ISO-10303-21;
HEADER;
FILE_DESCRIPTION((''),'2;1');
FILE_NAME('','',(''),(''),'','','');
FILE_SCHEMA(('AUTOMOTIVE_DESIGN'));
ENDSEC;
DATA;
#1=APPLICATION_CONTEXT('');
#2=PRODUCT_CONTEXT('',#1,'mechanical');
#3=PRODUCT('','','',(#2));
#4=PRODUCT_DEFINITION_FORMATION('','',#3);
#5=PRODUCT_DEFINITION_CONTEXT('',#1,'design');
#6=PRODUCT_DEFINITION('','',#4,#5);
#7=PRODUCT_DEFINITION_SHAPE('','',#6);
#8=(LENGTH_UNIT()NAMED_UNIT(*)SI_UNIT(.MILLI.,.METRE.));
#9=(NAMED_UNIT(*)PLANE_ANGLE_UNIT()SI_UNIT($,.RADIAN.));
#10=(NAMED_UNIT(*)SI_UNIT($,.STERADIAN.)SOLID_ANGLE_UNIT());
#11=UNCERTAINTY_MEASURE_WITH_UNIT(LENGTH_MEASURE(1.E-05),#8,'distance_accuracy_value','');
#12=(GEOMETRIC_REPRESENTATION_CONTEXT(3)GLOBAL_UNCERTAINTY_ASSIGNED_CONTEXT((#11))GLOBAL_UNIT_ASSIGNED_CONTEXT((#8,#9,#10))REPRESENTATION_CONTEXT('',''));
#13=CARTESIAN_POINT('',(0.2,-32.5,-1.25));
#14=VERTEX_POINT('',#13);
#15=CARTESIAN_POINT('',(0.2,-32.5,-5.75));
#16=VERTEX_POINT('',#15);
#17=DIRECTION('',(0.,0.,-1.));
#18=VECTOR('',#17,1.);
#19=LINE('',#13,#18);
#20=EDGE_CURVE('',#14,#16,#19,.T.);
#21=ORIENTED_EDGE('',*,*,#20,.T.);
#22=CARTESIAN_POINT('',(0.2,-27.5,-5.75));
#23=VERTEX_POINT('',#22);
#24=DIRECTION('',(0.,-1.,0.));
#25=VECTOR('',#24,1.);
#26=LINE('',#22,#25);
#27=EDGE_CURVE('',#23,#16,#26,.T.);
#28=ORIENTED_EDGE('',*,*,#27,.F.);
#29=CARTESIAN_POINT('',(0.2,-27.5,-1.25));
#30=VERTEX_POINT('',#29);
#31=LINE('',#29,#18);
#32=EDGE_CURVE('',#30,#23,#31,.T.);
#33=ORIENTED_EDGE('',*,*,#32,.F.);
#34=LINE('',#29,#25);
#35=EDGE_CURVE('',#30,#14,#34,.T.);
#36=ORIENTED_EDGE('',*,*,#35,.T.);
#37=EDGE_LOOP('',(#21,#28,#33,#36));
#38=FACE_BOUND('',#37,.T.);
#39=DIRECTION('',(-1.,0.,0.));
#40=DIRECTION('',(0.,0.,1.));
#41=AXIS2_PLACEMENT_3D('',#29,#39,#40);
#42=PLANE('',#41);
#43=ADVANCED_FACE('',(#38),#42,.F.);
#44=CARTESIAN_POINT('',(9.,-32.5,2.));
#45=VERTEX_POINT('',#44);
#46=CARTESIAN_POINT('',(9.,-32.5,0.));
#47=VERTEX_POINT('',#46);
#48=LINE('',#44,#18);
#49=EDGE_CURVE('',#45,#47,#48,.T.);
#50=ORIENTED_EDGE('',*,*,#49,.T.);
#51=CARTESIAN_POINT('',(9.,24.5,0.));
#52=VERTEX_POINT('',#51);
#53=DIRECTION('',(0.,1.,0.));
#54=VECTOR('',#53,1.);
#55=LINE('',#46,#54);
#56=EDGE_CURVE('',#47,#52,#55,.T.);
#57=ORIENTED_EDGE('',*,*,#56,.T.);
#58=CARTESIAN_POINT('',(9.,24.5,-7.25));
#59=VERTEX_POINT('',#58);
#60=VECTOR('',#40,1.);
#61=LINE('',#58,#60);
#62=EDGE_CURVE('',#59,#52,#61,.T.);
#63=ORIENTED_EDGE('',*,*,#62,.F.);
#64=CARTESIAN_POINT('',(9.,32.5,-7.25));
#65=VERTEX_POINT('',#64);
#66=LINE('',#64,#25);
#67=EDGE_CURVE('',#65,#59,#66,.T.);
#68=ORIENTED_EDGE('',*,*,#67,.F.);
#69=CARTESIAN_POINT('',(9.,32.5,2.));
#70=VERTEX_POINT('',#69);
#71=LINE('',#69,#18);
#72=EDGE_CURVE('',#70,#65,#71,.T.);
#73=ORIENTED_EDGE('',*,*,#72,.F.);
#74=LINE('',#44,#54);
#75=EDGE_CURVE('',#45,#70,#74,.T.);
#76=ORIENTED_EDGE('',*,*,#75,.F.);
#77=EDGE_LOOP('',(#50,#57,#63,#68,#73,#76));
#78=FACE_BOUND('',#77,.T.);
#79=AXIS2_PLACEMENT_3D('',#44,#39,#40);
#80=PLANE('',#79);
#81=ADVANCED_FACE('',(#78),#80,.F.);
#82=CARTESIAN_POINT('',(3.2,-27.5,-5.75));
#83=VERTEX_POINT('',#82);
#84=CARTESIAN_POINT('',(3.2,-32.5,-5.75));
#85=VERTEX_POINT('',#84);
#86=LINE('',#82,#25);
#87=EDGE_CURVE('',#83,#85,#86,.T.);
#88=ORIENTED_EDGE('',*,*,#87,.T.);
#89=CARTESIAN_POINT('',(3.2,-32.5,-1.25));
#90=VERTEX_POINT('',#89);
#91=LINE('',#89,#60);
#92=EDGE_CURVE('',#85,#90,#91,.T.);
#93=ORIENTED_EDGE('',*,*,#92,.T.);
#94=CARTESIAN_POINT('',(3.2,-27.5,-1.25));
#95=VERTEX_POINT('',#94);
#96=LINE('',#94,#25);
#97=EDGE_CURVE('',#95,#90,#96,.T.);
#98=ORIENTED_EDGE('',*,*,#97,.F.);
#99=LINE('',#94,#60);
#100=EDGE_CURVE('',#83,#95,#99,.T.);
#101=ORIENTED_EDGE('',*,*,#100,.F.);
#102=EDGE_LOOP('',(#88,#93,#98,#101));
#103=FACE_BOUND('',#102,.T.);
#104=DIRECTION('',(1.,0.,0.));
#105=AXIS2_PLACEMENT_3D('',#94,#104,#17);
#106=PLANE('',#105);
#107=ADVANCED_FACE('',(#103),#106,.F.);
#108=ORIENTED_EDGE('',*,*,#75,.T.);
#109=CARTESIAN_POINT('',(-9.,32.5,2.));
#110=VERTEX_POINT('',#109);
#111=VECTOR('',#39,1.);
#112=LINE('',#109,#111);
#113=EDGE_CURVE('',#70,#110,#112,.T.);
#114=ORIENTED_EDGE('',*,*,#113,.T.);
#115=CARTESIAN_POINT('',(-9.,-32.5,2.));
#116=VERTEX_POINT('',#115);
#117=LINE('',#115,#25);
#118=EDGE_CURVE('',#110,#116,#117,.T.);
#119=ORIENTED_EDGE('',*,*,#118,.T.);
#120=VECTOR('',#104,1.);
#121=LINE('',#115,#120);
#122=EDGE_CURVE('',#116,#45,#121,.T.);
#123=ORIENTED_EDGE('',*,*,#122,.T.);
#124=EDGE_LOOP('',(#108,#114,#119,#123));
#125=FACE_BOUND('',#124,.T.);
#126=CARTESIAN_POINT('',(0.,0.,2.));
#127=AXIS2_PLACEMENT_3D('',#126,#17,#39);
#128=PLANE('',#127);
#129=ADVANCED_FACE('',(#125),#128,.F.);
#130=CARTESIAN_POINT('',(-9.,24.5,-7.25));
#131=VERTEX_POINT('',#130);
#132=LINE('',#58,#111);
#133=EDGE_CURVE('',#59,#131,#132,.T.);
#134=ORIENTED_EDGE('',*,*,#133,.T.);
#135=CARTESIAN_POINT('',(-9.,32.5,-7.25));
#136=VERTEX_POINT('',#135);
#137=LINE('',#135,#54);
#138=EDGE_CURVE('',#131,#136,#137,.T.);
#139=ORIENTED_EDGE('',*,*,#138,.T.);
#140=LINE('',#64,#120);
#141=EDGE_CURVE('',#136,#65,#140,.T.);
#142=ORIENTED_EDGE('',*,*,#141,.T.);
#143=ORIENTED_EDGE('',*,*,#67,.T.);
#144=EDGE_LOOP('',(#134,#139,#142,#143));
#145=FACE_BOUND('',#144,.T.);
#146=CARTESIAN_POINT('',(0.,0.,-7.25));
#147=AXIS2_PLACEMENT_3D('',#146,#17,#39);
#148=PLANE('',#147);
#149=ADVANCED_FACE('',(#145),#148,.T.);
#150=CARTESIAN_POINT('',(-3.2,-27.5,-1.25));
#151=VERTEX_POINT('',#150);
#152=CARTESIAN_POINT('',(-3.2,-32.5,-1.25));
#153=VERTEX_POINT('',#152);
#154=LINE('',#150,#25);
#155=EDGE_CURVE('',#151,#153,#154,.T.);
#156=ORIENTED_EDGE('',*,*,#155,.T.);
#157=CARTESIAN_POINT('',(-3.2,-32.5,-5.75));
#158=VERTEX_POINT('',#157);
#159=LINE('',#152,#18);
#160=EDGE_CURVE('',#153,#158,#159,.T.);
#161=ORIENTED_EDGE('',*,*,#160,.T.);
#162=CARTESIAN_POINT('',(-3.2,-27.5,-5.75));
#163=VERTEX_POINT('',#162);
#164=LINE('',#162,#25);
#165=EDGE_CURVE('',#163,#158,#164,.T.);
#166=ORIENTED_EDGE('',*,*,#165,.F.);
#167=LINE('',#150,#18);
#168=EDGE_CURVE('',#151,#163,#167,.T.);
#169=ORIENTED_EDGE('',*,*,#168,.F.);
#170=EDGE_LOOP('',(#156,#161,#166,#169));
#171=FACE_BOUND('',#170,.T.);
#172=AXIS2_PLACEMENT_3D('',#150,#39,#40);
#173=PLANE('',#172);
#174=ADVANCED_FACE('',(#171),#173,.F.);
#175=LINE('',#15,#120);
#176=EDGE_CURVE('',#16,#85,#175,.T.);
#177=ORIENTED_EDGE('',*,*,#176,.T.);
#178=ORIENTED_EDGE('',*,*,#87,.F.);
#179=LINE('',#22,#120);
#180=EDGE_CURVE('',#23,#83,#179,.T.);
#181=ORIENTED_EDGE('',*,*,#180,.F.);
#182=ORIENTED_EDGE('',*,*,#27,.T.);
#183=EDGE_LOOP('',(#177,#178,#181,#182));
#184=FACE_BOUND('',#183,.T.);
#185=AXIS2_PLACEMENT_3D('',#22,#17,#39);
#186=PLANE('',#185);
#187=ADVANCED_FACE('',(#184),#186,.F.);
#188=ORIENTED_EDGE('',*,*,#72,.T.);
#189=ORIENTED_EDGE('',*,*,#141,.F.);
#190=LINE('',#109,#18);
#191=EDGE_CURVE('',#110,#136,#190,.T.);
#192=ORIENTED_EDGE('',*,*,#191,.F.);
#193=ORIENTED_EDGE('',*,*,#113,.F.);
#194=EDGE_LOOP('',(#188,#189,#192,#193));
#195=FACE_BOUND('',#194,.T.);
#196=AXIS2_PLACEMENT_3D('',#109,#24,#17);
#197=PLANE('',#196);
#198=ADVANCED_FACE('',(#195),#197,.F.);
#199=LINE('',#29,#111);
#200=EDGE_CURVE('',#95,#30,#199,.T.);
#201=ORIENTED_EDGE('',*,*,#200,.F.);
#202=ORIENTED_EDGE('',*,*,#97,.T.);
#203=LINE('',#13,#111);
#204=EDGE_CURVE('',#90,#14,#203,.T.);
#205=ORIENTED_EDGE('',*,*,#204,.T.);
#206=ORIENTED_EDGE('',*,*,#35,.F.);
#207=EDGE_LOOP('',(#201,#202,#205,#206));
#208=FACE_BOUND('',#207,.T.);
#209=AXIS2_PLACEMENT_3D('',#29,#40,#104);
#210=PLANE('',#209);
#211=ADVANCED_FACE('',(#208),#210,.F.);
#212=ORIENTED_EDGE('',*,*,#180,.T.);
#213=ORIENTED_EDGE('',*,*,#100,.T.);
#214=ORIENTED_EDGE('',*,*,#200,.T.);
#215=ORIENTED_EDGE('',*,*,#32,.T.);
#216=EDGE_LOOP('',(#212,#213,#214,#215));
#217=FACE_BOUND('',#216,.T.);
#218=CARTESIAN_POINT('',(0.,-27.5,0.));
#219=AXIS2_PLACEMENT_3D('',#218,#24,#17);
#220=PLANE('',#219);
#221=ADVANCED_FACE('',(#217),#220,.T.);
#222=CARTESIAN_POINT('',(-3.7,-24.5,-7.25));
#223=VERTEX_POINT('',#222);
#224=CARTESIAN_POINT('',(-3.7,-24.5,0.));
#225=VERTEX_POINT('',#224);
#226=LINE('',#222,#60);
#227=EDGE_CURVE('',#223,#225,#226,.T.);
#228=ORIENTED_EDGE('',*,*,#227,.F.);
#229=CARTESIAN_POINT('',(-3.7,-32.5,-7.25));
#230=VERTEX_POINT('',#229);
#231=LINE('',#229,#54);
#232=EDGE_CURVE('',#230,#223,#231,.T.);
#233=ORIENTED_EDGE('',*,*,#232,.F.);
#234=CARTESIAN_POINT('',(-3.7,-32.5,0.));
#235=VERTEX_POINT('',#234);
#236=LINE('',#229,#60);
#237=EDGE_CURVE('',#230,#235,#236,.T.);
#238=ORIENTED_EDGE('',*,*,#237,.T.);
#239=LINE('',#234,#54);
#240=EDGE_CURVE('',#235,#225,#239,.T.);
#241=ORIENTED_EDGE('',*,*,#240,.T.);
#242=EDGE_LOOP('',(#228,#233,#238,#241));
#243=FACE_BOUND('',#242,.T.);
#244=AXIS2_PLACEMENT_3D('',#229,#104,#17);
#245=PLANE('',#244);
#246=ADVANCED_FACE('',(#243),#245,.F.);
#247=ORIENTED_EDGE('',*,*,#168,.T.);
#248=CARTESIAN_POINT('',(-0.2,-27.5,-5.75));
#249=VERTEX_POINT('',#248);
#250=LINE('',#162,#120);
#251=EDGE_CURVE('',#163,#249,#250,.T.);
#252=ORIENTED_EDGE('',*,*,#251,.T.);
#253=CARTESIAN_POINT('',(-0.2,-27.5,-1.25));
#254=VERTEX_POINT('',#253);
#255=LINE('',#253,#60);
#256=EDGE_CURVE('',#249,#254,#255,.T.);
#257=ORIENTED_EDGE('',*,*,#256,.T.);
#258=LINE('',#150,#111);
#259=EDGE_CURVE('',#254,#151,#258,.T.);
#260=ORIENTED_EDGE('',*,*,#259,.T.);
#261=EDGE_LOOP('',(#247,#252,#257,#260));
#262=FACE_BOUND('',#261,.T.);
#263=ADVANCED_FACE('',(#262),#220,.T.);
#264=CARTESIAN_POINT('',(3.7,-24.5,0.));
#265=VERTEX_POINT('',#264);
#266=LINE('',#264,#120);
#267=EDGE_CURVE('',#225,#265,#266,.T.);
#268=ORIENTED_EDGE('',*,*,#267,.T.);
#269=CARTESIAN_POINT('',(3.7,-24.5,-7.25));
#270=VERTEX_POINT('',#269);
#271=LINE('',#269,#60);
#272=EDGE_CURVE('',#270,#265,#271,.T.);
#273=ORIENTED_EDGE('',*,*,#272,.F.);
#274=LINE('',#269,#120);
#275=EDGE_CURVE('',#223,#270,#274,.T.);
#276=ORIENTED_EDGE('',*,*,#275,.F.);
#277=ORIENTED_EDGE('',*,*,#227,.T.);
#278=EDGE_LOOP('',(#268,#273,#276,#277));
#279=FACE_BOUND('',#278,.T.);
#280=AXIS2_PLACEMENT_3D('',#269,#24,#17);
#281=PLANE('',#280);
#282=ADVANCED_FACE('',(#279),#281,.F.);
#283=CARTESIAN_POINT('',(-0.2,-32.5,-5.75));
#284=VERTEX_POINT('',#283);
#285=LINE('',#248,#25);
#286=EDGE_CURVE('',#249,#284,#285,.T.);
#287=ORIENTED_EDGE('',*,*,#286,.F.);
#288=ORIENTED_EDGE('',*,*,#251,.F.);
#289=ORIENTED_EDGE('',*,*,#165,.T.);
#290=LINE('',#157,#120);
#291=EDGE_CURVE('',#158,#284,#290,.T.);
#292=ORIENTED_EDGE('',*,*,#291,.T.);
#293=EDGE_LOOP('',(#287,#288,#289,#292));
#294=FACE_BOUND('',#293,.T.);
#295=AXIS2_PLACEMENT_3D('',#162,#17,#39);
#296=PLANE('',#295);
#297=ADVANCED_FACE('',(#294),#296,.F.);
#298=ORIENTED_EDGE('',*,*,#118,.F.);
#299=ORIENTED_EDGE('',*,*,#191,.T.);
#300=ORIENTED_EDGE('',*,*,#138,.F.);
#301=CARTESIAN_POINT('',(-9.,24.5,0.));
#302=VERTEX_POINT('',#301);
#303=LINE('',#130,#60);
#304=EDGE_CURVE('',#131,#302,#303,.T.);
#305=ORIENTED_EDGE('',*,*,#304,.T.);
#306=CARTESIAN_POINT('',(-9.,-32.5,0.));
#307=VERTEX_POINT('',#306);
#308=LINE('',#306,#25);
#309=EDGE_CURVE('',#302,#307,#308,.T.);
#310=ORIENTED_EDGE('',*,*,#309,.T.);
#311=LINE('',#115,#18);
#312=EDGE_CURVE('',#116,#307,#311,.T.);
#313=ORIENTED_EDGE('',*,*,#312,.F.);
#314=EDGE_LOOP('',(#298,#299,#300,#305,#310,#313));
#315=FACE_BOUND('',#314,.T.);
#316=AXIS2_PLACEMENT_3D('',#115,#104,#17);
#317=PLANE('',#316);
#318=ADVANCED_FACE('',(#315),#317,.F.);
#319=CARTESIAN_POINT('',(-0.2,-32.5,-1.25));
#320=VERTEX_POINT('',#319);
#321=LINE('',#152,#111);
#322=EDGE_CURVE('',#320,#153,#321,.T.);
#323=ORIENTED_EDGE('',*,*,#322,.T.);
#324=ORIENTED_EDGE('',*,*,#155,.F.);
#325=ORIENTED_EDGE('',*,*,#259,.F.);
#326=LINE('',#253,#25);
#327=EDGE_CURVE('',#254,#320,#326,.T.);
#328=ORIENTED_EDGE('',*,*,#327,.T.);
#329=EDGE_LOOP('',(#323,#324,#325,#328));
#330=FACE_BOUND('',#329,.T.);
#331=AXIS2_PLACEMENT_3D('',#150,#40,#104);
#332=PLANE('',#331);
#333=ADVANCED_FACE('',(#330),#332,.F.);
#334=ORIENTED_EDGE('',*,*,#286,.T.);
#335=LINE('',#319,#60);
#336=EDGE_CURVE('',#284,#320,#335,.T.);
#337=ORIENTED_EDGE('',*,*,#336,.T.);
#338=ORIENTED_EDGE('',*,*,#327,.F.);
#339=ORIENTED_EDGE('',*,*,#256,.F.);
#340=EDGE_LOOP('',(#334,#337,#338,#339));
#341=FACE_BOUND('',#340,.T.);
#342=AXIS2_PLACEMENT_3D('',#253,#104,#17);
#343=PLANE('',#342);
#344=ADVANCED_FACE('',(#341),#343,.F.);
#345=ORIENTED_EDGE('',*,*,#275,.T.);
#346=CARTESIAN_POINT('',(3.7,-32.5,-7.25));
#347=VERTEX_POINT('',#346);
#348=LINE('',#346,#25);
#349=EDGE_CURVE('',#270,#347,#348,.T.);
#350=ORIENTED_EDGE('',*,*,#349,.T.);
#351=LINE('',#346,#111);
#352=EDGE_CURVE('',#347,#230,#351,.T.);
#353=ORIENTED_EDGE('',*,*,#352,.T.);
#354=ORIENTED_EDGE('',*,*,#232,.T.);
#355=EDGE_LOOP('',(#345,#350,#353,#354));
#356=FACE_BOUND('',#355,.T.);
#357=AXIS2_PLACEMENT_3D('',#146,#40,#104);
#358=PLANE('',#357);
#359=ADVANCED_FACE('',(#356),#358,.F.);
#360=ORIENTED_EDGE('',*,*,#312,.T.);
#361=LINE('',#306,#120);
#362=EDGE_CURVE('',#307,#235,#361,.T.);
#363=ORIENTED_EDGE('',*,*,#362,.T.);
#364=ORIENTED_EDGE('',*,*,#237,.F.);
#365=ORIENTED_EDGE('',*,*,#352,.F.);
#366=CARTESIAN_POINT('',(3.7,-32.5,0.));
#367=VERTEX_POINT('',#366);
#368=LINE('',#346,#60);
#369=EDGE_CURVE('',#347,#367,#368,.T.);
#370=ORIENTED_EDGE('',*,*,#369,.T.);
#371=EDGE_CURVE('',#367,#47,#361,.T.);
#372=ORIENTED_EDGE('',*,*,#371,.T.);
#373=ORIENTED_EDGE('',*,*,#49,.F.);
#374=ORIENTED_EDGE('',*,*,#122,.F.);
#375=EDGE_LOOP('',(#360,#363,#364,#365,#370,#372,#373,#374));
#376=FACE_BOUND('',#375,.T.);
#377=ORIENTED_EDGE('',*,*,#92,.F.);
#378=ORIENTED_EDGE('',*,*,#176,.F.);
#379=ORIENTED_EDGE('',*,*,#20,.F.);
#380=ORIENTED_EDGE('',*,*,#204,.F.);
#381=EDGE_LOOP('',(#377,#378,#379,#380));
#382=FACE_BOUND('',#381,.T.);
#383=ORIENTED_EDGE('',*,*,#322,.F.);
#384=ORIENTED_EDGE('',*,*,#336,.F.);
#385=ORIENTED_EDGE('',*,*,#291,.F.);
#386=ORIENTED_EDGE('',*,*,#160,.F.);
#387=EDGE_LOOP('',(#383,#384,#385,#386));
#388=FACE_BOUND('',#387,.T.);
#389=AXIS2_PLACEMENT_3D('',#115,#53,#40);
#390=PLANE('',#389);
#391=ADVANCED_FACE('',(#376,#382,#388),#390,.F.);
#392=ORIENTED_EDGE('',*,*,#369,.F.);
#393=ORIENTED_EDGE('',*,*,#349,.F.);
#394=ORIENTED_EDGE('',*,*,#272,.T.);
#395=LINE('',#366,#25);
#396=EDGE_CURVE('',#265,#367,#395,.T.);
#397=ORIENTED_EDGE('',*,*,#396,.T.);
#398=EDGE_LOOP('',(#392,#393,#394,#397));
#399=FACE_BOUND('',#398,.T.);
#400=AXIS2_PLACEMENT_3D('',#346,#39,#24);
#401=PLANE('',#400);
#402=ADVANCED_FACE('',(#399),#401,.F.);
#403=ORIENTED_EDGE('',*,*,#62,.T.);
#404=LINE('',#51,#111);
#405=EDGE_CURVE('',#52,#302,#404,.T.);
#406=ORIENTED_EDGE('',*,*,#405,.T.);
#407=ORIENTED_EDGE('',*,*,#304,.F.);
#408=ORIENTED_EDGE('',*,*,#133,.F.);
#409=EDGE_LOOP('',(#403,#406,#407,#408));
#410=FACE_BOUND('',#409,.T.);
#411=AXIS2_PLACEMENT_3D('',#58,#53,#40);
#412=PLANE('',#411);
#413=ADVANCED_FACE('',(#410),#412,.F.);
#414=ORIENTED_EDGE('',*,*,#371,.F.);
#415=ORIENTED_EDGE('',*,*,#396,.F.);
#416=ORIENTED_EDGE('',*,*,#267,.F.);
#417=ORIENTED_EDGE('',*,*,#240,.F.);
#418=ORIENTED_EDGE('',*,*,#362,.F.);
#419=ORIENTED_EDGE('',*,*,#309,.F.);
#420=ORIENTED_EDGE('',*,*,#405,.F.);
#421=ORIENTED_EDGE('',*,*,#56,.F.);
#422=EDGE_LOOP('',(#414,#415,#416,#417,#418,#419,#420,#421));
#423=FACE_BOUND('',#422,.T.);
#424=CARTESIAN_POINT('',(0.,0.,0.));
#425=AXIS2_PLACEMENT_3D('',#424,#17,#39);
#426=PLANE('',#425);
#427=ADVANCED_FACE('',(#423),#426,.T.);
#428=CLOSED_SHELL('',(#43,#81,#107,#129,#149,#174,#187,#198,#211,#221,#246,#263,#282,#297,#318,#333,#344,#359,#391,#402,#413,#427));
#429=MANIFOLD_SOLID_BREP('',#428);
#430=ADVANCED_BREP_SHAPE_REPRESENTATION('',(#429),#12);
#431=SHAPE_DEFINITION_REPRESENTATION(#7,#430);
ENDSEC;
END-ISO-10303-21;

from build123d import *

# Parameters (mm, degrees)
BASIC_SHAPE_SKETCH_W     = 18
BASIC_SHAPE_SKETCH_H     = 65
BASIC_SHAPE_DEPTH        = 2
CONNECTOR_SKETCH_W       = 7.4
CONNECTOR_SKETCH_H       = 8
CONNECTOR_DEPTH          = 7.25
CONNECTOR_HOLES_SKETCH_W = 3
CONNECTOR_HOLES_SKETCH_H = 4.5
CONNECTOR_HOLES_DEPTH    = 5
SKETCH1_W                = 18
SKETCH1_H                = 8
BOSS_EXTRUDE1_DEPTH      = 7.25


with BuildPart() as part:
    # Basic Shape Sketch → Basic Shape (new body)
    with BuildSketch(Plane.XY):
        Rectangle(BASIC_SHAPE_SKETCH_W, BASIC_SHAPE_SKETCH_H)
    extrude(amount=BASIC_SHAPE_DEPTH)

    # Connector Sketch → Connector (add)
    with BuildSketch(Plane(origin=(0, 0, 0), x_dir=(-1, 0, 0), z_dir=(0, 0, -1))):
        with Locations((0, -28.5)):
            Rectangle(CONNECTOR_SKETCH_W, CONNECTOR_SKETCH_H)
    extrude(amount=CONNECTOR_DEPTH)

    # Connector Holes Sketch → Connector Holes (cut)
    with BuildSketch(Plane.XZ.offset(32.5)):
        with Locations((-1.7, -3.5)):
            Rectangle(CONNECTOR_HOLES_SKETCH_W, CONNECTOR_HOLES_SKETCH_H)
        with Locations((1.7, -3.5)):
            Rectangle(CONNECTOR_HOLES_SKETCH_W, CONNECTOR_HOLES_SKETCH_H)
    extrude(amount=-CONNECTOR_HOLES_DEPTH, mode=Mode.SUBTRACT)

    # Sketch1 → Boss-Extrude1 (add)
    with BuildSketch(Plane(origin=(0, 0, 0), x_dir=(-1, 0, 0), z_dir=(0, 0, -1))):
        with Locations((0, 28.5)):
            Rectangle(SKETCH1_W, SKETCH1_H)
    extrude(amount=BOSS_EXTRUDE1_DEPTH)


solid = part.part
